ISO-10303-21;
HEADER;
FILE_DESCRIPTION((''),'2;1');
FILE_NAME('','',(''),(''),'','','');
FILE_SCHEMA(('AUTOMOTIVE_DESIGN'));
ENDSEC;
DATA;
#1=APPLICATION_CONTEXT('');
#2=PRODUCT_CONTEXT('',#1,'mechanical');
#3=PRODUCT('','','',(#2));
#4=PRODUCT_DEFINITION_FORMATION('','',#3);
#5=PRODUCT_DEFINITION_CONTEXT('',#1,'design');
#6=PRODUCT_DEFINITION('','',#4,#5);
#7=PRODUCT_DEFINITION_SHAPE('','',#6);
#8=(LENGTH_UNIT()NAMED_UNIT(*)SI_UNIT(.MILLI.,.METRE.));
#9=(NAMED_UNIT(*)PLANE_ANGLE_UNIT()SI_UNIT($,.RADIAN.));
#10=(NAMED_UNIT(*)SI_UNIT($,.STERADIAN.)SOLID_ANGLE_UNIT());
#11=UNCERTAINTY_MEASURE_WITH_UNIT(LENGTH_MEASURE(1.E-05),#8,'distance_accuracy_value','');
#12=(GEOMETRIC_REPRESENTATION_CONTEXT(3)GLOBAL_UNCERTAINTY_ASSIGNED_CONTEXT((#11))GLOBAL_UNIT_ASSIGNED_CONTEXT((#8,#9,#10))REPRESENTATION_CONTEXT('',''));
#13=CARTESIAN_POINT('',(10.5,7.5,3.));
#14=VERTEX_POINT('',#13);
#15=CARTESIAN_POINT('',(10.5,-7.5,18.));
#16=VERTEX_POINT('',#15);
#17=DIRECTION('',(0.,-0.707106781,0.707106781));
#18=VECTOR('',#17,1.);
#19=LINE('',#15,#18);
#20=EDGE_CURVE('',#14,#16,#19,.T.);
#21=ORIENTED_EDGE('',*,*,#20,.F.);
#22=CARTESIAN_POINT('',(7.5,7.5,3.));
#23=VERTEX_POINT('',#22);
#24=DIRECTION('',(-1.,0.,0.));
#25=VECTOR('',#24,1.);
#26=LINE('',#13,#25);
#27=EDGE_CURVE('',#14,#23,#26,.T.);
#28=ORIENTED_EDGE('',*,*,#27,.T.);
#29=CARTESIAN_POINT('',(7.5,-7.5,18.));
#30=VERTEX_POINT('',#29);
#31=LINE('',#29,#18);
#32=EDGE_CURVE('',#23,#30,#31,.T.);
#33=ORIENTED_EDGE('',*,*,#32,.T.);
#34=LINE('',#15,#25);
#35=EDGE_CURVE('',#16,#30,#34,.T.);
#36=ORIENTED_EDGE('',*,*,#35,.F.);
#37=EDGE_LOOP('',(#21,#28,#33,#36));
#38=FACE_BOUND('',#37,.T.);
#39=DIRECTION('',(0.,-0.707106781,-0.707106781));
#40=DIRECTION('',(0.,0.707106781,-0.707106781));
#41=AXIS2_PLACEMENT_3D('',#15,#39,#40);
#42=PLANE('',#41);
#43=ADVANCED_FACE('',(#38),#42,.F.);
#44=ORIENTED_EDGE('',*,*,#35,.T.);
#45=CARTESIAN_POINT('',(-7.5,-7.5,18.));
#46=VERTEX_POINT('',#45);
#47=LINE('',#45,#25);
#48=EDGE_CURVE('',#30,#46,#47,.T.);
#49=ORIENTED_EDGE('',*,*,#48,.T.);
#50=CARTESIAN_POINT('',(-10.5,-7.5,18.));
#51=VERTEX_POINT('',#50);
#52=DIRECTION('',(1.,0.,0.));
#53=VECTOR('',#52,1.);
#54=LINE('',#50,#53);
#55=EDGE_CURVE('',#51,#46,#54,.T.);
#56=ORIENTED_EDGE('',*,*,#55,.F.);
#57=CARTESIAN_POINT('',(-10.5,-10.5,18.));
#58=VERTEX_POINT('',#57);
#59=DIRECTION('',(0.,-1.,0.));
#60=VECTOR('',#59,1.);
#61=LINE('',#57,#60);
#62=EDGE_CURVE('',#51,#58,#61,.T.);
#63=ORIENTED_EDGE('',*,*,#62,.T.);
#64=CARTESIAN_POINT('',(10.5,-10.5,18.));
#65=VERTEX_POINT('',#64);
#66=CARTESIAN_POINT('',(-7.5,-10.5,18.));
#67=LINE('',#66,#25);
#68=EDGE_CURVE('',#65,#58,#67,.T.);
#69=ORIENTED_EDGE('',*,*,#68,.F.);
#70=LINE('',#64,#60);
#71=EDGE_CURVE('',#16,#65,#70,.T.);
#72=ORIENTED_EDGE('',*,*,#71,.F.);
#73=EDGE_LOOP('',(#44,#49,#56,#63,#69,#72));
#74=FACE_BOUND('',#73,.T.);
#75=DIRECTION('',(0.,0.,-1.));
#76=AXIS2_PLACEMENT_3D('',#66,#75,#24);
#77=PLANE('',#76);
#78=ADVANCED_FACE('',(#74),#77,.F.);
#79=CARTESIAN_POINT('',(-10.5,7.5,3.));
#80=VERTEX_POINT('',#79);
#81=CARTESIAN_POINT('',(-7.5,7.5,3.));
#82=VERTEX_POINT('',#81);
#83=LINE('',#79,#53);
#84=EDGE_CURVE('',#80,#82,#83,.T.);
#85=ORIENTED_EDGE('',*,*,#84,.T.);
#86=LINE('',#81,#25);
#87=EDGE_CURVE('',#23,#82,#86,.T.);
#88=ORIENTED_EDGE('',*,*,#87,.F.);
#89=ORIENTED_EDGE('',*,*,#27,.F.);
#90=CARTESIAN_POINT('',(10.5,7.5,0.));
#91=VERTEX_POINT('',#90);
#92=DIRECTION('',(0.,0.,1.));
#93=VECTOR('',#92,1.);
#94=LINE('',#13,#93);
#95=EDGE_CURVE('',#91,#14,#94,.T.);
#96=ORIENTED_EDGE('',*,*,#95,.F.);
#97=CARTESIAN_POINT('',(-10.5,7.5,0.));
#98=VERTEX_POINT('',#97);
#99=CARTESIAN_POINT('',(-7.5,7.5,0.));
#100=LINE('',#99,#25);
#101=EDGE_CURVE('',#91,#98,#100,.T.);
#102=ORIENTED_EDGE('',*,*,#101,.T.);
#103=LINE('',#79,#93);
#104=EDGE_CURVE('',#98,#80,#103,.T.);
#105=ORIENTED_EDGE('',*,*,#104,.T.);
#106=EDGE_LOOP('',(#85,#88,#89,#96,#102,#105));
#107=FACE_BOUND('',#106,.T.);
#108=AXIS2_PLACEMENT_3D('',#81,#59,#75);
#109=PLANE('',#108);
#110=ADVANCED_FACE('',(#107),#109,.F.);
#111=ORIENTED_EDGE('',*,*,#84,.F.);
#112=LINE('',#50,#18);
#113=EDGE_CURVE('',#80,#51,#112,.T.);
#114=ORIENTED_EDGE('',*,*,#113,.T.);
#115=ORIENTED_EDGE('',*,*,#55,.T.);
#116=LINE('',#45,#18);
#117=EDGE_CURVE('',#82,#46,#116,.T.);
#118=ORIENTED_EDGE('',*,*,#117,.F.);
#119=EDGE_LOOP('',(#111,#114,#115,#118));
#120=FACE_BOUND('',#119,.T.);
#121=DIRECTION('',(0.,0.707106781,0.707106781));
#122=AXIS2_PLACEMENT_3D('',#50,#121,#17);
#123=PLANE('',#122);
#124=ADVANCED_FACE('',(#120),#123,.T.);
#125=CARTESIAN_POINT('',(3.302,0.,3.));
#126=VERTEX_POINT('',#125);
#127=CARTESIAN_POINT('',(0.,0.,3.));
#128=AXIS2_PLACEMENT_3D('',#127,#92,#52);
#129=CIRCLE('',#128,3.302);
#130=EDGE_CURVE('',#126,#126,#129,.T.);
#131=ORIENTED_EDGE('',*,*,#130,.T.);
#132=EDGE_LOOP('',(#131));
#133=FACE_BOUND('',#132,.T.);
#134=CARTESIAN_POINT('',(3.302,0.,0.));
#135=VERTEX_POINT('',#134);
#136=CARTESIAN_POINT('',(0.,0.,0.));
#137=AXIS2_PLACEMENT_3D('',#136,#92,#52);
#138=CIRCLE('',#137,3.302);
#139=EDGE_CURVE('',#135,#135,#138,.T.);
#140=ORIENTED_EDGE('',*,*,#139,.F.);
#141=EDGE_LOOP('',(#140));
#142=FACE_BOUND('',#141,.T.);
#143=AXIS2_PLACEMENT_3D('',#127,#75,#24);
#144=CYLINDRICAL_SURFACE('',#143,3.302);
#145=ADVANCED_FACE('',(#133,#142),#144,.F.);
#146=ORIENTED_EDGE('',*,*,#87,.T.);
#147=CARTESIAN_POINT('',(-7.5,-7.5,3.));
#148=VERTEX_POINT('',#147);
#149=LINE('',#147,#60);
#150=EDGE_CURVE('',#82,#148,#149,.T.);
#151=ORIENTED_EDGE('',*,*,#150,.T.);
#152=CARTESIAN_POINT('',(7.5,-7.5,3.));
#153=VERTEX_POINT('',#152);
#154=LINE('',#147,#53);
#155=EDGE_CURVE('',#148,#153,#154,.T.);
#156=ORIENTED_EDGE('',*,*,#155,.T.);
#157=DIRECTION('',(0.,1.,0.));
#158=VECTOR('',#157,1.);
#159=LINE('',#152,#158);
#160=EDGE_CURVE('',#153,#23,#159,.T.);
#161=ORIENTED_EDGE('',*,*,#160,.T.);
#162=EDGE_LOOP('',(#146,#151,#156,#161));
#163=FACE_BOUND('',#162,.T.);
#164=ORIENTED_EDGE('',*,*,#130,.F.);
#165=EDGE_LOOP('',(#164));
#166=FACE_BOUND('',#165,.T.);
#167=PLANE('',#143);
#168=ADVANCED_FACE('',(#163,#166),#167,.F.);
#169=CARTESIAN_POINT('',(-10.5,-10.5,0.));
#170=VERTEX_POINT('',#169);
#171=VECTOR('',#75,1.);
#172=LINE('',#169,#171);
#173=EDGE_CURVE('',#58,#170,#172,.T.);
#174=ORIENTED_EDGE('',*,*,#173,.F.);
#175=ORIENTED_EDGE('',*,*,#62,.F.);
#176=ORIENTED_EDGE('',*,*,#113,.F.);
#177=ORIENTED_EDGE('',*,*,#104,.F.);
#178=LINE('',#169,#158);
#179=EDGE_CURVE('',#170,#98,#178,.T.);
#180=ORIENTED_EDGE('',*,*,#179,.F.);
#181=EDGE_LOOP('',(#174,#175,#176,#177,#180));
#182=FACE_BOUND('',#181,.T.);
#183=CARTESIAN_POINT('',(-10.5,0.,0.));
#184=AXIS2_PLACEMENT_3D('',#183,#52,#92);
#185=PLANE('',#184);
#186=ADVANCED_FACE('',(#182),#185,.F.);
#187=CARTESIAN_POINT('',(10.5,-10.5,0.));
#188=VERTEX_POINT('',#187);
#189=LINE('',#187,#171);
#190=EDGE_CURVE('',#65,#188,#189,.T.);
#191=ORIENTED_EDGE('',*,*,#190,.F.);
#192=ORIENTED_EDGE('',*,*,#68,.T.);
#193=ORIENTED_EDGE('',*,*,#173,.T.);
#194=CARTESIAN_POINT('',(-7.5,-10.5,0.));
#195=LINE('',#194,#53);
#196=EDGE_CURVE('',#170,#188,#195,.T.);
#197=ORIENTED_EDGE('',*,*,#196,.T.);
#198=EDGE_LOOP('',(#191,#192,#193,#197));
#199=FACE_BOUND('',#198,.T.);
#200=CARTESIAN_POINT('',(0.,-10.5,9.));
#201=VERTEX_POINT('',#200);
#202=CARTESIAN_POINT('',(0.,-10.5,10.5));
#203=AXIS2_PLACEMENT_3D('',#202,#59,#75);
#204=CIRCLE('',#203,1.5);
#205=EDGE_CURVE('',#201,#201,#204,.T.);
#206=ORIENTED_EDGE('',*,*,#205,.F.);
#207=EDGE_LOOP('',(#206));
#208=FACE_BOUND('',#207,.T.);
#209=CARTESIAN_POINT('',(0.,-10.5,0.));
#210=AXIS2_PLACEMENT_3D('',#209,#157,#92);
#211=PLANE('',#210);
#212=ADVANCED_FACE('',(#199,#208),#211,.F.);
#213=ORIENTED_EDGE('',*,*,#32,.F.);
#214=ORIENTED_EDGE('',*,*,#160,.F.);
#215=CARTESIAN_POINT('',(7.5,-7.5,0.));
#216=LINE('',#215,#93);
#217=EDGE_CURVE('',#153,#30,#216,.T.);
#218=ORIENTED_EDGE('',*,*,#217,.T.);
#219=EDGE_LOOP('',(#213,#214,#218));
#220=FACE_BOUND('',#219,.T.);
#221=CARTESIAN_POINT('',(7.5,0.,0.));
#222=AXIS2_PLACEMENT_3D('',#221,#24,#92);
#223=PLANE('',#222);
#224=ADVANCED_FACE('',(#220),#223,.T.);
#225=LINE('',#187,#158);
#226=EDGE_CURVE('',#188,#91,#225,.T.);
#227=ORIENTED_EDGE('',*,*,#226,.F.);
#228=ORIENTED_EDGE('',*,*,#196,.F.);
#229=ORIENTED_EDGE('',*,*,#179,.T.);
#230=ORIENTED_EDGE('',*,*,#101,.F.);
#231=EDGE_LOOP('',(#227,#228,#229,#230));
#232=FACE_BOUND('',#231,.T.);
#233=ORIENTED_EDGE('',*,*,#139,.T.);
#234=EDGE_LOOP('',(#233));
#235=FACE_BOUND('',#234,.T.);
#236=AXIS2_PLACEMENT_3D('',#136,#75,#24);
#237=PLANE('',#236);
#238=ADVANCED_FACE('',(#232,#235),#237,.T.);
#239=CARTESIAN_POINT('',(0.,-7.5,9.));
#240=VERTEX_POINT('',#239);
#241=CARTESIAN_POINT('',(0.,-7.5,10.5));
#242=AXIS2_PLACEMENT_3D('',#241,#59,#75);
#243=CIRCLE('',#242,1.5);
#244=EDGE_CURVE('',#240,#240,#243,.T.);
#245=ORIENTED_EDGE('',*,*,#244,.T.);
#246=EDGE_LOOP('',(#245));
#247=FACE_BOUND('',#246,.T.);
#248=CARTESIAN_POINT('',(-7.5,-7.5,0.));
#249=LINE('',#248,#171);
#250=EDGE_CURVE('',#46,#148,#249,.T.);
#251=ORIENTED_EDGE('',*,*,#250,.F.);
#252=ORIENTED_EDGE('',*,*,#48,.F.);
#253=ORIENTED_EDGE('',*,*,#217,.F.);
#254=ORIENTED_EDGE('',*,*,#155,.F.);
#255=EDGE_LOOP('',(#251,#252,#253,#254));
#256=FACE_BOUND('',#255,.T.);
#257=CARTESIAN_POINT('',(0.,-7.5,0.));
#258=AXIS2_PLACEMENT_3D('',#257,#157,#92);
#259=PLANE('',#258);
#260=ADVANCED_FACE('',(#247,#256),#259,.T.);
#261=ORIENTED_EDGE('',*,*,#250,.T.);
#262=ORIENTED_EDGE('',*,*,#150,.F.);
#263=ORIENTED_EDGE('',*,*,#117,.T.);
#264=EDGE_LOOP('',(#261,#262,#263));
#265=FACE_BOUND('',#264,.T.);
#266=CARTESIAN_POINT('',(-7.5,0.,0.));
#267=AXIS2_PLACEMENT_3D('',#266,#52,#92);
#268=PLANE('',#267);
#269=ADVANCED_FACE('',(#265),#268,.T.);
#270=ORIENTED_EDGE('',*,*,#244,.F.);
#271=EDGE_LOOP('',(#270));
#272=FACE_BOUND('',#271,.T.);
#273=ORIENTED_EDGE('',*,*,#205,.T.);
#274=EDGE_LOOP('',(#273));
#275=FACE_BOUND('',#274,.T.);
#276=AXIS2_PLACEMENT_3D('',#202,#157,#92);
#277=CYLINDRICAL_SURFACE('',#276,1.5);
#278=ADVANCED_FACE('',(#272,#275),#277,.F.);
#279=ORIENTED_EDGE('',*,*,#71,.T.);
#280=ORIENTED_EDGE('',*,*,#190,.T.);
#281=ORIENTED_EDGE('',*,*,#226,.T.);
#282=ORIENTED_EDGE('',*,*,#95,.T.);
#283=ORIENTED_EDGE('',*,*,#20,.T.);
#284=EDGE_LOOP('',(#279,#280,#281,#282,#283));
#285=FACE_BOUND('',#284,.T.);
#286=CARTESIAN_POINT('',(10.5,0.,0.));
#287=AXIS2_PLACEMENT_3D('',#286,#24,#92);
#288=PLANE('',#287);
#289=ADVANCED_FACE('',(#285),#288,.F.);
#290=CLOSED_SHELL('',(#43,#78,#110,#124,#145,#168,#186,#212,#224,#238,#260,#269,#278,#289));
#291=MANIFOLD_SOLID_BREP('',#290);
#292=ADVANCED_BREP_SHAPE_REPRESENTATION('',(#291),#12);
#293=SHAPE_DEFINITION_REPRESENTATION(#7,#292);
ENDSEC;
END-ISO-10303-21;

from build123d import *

# Parameters (mm, degrees)
SKETCH1_W           = 15
SKETCH1_H           = 15
SKETCH1_R           = 3.302
BOSS_EXTRUDE1_DEPTH = 3
SKETCH2_W           = 15
SKETCH2_H           = 18
SKETCH2_R           = 1.5
BOSS_EXTRUDE2_DEPTH = 3
BOSS_EXTRUDE3_DEPTH = 3


with BuildPart() as part:
    # Sketch1 → Boss-Extrude1 (new body)
    with BuildSketch(Plane.XY):
        Rectangle(SKETCH1_W, SKETCH1_H)
        Circle(SKETCH1_R, mode=Mode.SUBTRACT)
    extrude(amount=BOSS_EXTRUDE1_DEPTH)

    # Sketch2 → Boss-Extrude2 (add)
    with BuildSketch(Plane.XZ.offset(7.5)):
        with Locations((0, 9)):
            Rectangle(SKETCH2_W, SKETCH2_H)
        with Locations((0, 10.5)):
            Circle(SKETCH2_R, mode=Mode.SUBTRACT)
    extrude(amount=BOSS_EXTRUDE2_DEPTH)

    # Sketch3 → Boss-Extrude3 (add)
    with BuildSketch(Plane(origin=(7.5, 0, 0), x_dir=(0, 0, -1), z_dir=(1, 0, 0))):
        Polygon((-18, -10.5), (-18, -7.5), (-3, 7.5), (0, 7.5), (0, -10.5), align=None)
    boss_extrude3 = extrude(amount=BOSS_EXTRUDE3_DEPTH)

    # Mirror1: Boss-Extrude3 across plane
    add(boss_extrude3.mirror(Plane(origin=(0, 0, 0), x_dir=(0, 0, 1), z_dir=(1, 0, 0))))


solid = part.part
